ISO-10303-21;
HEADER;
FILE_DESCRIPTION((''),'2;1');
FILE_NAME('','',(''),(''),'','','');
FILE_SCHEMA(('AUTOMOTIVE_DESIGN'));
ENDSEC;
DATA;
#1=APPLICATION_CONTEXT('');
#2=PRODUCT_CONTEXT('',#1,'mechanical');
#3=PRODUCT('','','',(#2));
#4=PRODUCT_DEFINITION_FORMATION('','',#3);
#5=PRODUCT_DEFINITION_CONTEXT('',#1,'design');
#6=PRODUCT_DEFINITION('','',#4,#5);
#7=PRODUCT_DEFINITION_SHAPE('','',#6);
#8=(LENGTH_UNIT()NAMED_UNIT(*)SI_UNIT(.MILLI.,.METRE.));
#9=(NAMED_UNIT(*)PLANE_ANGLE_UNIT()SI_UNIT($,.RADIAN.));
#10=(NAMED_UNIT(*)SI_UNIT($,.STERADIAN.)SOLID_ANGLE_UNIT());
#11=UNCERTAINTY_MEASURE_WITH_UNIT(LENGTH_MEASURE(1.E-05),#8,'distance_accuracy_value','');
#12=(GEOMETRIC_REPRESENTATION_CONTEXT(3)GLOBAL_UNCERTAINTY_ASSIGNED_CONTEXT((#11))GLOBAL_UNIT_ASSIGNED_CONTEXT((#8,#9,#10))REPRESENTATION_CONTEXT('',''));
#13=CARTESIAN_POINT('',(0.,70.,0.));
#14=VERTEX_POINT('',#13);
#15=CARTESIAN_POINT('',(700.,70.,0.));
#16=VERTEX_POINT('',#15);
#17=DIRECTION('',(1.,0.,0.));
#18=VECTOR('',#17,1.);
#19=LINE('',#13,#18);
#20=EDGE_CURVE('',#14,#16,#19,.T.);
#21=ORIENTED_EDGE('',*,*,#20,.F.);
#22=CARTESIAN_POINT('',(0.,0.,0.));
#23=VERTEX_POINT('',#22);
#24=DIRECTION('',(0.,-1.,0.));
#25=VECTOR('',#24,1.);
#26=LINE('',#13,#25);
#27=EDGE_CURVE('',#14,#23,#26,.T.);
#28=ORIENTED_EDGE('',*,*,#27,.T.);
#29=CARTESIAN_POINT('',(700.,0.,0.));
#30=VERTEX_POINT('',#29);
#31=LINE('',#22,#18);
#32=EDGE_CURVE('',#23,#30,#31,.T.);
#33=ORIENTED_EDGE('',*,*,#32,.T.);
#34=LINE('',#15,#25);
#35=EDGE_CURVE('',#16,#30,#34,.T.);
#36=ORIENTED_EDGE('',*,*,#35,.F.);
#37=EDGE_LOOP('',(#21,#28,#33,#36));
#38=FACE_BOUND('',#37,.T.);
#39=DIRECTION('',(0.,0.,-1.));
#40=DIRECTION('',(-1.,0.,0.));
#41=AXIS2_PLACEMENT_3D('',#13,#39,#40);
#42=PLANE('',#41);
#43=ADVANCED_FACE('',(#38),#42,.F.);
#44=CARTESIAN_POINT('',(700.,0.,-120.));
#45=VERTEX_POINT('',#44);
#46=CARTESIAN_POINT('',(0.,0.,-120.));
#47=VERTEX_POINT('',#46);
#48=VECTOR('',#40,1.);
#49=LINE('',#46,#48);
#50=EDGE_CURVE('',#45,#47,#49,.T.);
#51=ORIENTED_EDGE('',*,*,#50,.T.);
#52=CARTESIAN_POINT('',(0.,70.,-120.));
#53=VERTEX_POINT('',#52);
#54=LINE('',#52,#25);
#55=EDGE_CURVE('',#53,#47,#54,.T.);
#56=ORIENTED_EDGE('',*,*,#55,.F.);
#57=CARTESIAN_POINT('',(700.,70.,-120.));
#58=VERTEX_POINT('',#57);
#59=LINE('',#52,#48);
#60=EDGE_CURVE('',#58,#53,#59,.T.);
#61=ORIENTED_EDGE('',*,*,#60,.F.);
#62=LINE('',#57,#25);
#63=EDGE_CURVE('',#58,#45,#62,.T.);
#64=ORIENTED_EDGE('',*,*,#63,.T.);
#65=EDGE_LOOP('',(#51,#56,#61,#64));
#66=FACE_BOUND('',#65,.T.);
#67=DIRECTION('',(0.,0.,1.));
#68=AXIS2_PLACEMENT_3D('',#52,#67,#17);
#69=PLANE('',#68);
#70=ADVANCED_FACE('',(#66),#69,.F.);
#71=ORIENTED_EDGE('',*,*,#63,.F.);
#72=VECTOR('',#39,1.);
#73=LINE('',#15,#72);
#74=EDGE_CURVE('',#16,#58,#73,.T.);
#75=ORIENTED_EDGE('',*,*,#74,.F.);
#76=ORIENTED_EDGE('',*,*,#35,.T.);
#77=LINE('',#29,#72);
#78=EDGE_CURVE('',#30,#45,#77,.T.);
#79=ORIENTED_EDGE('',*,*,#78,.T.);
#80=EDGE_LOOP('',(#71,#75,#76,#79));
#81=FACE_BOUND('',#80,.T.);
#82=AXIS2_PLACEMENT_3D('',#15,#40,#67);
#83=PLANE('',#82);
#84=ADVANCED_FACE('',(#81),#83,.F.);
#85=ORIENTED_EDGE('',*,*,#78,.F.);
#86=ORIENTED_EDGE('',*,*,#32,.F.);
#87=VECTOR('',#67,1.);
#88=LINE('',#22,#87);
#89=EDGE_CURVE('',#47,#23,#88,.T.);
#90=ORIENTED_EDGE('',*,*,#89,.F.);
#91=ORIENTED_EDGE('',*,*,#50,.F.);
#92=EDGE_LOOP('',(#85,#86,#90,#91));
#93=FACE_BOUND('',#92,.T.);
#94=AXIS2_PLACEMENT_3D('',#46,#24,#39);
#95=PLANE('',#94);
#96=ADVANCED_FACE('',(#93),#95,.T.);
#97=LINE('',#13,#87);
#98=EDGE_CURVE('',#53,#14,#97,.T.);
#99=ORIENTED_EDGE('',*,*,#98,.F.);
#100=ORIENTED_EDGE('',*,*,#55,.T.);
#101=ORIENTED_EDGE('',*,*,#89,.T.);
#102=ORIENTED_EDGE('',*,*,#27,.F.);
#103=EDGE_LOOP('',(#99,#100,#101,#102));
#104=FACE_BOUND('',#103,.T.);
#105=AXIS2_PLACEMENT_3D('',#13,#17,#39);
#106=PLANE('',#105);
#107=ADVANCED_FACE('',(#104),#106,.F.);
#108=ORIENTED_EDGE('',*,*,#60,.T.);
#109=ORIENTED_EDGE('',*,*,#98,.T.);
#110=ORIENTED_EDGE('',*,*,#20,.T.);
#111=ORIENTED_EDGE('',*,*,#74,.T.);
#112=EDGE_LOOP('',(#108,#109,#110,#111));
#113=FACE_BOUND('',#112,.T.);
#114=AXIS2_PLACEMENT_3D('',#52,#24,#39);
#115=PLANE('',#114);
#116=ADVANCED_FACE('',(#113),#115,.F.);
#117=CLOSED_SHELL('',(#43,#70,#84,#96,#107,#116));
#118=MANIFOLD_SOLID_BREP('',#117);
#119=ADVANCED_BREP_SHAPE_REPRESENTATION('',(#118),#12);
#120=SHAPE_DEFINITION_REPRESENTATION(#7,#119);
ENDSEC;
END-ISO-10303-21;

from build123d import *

# Parameters (mm, degrees)
ESQUISSE1_W      = 700
ESQUISSE1_H      = 120
EXTRUSION1_DEPTH = 70


with BuildPart() as part:
    # Esquisse1 → Extrusion1 (new body)
    with BuildSketch(Plane(origin=(0, 0, 0), x_dir=(1, 0, 0), z_dir=(0, 1, 0))):
        with Locations((350, 60)):
            Rectangle(ESQUISSE1_W, ESQUISSE1_H)
    extrude(amount=EXTRUSION1_DEPTH)


solid = part.part
